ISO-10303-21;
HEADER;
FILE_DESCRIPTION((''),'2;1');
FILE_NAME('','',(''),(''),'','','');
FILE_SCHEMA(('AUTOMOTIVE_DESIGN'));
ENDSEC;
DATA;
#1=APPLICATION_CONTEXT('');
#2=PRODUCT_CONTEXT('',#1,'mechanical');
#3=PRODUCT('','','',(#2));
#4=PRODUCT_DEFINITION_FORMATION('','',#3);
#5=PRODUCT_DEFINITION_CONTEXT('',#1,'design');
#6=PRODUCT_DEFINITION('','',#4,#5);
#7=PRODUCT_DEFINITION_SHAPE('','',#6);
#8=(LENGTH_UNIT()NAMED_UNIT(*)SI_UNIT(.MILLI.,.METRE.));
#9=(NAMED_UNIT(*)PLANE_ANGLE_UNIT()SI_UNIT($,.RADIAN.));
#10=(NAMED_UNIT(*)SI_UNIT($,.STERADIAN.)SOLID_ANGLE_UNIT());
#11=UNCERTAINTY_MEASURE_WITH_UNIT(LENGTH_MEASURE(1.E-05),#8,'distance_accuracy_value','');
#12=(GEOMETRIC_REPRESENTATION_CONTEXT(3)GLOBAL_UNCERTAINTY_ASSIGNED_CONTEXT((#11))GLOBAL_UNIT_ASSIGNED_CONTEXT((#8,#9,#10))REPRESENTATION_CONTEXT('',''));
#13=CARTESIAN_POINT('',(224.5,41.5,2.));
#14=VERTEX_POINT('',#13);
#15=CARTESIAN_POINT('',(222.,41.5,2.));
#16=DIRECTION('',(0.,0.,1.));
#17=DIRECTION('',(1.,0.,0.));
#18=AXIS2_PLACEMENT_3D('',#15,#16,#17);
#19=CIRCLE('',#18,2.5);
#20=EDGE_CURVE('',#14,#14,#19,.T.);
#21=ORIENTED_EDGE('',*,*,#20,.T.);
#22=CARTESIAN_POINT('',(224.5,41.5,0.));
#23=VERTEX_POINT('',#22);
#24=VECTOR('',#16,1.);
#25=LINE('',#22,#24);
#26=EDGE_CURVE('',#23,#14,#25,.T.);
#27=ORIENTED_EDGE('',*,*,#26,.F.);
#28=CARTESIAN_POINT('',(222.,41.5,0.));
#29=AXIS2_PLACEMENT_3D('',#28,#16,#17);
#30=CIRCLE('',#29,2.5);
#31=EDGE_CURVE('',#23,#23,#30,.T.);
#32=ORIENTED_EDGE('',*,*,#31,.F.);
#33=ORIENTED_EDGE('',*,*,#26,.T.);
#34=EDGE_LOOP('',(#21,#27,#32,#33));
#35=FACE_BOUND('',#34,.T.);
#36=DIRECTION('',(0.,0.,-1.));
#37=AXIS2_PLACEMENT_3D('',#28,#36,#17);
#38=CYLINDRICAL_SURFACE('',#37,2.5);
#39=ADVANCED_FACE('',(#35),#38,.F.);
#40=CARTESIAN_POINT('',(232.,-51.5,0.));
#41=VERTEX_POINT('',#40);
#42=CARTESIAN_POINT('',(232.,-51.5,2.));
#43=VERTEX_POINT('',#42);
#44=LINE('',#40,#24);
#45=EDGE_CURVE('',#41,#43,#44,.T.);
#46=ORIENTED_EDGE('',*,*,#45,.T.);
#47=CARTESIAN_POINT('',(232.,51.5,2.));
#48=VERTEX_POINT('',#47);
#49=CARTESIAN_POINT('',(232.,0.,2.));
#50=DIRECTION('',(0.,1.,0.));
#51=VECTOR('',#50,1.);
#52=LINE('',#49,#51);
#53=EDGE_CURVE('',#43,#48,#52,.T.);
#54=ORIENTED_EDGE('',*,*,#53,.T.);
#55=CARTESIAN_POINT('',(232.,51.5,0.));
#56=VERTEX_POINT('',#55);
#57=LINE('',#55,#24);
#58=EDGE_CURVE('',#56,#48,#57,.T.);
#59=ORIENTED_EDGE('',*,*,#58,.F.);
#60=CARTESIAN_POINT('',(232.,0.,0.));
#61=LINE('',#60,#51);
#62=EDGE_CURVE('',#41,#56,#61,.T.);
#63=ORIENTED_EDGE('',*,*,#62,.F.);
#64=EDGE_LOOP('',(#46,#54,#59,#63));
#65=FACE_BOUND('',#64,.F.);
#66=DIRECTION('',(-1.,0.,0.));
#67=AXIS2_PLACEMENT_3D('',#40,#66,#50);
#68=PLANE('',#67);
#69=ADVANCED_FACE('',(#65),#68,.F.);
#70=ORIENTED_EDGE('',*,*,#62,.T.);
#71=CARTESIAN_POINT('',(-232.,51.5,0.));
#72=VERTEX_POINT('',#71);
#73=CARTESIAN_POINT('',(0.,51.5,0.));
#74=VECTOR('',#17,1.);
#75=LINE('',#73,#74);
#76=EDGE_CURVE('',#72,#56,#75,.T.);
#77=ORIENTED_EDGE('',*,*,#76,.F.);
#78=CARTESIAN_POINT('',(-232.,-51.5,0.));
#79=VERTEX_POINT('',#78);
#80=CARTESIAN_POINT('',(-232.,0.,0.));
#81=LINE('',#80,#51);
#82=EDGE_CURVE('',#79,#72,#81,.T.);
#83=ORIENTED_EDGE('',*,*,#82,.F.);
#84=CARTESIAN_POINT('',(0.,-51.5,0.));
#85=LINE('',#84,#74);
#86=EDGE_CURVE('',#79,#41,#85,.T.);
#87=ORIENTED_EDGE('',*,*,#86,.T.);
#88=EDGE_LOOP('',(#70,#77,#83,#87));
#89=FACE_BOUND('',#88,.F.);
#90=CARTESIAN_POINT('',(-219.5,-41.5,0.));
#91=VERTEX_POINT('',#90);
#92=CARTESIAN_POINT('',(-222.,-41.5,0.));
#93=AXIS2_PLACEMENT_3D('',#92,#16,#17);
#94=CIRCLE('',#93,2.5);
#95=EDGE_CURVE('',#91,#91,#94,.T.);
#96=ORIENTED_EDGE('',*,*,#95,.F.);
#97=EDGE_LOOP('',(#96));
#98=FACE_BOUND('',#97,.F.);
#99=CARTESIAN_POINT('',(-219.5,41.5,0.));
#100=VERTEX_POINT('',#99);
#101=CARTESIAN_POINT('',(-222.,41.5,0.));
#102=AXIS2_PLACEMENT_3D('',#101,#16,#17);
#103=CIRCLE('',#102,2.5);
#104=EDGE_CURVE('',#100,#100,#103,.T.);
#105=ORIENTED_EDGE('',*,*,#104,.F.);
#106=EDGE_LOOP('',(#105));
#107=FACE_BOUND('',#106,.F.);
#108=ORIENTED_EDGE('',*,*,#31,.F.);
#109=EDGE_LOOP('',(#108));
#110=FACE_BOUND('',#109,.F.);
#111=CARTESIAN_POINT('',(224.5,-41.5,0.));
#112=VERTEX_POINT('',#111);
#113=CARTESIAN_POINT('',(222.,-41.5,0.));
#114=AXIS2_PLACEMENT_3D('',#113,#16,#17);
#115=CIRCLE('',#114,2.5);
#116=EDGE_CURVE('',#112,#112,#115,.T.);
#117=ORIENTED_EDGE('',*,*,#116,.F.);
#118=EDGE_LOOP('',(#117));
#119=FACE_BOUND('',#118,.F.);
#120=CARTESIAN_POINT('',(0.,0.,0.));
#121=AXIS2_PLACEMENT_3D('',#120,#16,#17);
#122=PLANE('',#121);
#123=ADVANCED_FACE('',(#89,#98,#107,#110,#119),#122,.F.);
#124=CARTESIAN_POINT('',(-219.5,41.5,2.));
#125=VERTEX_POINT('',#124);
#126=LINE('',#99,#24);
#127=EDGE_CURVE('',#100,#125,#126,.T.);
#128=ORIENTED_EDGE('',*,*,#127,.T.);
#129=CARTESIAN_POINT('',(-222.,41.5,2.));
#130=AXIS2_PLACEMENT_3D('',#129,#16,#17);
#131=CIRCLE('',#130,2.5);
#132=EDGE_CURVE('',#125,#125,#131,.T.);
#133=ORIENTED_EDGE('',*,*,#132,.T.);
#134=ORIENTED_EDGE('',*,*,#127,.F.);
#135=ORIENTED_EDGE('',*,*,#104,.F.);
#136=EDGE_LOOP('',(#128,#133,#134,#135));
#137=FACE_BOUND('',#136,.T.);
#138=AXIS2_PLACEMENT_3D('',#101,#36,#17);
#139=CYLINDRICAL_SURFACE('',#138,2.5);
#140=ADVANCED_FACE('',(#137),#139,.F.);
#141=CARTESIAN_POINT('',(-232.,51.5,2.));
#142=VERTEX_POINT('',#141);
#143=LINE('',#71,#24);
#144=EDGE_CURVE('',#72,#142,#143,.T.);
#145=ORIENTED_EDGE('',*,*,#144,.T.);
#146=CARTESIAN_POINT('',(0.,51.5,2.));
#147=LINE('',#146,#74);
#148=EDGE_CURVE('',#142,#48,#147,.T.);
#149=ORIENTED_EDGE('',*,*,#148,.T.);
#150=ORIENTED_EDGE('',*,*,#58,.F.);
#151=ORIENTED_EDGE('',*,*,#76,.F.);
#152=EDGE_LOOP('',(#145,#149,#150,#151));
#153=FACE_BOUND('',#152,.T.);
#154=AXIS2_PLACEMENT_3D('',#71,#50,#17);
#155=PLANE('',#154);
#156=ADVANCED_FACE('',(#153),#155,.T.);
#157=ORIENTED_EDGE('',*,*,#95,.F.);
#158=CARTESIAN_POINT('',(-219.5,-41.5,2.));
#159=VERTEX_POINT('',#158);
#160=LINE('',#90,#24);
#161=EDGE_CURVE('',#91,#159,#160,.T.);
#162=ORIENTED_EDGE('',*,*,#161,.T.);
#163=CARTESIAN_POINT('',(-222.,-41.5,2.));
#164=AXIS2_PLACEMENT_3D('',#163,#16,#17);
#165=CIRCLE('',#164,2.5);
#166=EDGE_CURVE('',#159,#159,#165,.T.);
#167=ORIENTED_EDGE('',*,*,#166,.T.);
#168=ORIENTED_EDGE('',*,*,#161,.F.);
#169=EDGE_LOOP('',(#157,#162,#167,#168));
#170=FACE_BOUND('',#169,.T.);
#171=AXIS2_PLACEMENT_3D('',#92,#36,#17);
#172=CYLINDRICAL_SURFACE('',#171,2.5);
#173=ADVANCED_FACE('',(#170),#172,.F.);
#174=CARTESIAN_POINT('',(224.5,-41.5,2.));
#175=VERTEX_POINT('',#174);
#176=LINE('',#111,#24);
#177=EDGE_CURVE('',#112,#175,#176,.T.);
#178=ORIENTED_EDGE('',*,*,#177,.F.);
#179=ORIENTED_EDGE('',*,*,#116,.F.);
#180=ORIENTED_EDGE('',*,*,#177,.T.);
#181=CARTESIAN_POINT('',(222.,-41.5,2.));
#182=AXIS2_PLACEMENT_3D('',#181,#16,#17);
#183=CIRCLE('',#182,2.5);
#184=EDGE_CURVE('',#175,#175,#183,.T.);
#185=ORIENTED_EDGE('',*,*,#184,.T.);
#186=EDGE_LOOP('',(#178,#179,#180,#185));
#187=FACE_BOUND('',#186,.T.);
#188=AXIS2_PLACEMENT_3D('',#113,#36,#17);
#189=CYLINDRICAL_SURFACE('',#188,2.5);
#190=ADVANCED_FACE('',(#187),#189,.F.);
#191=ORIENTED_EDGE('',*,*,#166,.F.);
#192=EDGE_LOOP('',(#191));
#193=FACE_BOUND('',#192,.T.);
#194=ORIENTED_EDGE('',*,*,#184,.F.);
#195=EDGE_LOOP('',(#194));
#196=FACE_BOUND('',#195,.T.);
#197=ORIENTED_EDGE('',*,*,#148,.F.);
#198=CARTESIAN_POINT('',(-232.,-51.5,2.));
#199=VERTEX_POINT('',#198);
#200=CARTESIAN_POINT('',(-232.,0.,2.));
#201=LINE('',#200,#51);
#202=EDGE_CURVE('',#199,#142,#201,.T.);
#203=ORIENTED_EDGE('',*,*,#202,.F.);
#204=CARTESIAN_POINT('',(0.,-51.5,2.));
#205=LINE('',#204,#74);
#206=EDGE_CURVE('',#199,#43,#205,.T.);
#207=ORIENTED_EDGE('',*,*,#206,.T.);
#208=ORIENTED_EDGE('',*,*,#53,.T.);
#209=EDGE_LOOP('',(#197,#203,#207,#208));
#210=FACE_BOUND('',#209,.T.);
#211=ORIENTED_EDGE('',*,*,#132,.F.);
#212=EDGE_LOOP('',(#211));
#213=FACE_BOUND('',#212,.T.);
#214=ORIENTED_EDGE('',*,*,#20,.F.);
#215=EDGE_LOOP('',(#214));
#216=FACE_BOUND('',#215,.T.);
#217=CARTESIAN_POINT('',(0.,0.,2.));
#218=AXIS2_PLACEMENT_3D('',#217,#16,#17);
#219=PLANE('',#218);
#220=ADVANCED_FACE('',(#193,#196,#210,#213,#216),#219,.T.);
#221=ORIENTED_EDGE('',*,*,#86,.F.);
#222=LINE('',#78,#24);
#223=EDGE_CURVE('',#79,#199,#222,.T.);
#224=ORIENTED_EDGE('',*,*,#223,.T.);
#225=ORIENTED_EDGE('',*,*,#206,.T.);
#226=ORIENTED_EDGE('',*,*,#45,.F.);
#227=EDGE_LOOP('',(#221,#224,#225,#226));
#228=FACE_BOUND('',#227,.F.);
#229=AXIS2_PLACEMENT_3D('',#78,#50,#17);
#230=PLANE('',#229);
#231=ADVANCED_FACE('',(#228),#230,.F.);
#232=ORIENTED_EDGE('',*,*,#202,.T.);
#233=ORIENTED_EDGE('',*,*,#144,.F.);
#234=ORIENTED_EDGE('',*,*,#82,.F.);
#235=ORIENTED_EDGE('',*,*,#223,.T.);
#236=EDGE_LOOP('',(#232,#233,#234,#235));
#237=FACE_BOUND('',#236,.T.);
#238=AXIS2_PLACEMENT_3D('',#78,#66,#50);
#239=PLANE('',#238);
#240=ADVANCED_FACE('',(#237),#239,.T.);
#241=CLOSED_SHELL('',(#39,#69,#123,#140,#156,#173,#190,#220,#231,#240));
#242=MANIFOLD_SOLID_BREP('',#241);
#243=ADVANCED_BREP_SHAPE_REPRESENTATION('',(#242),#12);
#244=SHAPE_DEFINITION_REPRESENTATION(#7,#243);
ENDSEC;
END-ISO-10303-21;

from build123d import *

# Parameters (mm, degrees)
SKETCH_W  = 464
SKETCH_H  = 103
SKETCH_R  = 2.5
PAD_DEPTH = 2


with BuildPart() as part:
    # Sketch → Pad (new body)
    with BuildSketch(Plane.XY):
        Rectangle(SKETCH_W, SKETCH_H)
        with Locations((-222, 41.5)):
            Circle(SKETCH_R, mode=Mode.SUBTRACT)
        with Locations((-222, -41.5)):
            Circle(SKETCH_R, mode=Mode.SUBTRACT)
        with Locations((222, -41.5)):
            Circle(SKETCH_R, mode=Mode.SUBTRACT)
        with Locations((222, 41.5)):
            Circle(SKETCH_R, mode=Mode.SUBTRACT)
    extrude(amount=PAD_DEPTH)


solid = part.part
